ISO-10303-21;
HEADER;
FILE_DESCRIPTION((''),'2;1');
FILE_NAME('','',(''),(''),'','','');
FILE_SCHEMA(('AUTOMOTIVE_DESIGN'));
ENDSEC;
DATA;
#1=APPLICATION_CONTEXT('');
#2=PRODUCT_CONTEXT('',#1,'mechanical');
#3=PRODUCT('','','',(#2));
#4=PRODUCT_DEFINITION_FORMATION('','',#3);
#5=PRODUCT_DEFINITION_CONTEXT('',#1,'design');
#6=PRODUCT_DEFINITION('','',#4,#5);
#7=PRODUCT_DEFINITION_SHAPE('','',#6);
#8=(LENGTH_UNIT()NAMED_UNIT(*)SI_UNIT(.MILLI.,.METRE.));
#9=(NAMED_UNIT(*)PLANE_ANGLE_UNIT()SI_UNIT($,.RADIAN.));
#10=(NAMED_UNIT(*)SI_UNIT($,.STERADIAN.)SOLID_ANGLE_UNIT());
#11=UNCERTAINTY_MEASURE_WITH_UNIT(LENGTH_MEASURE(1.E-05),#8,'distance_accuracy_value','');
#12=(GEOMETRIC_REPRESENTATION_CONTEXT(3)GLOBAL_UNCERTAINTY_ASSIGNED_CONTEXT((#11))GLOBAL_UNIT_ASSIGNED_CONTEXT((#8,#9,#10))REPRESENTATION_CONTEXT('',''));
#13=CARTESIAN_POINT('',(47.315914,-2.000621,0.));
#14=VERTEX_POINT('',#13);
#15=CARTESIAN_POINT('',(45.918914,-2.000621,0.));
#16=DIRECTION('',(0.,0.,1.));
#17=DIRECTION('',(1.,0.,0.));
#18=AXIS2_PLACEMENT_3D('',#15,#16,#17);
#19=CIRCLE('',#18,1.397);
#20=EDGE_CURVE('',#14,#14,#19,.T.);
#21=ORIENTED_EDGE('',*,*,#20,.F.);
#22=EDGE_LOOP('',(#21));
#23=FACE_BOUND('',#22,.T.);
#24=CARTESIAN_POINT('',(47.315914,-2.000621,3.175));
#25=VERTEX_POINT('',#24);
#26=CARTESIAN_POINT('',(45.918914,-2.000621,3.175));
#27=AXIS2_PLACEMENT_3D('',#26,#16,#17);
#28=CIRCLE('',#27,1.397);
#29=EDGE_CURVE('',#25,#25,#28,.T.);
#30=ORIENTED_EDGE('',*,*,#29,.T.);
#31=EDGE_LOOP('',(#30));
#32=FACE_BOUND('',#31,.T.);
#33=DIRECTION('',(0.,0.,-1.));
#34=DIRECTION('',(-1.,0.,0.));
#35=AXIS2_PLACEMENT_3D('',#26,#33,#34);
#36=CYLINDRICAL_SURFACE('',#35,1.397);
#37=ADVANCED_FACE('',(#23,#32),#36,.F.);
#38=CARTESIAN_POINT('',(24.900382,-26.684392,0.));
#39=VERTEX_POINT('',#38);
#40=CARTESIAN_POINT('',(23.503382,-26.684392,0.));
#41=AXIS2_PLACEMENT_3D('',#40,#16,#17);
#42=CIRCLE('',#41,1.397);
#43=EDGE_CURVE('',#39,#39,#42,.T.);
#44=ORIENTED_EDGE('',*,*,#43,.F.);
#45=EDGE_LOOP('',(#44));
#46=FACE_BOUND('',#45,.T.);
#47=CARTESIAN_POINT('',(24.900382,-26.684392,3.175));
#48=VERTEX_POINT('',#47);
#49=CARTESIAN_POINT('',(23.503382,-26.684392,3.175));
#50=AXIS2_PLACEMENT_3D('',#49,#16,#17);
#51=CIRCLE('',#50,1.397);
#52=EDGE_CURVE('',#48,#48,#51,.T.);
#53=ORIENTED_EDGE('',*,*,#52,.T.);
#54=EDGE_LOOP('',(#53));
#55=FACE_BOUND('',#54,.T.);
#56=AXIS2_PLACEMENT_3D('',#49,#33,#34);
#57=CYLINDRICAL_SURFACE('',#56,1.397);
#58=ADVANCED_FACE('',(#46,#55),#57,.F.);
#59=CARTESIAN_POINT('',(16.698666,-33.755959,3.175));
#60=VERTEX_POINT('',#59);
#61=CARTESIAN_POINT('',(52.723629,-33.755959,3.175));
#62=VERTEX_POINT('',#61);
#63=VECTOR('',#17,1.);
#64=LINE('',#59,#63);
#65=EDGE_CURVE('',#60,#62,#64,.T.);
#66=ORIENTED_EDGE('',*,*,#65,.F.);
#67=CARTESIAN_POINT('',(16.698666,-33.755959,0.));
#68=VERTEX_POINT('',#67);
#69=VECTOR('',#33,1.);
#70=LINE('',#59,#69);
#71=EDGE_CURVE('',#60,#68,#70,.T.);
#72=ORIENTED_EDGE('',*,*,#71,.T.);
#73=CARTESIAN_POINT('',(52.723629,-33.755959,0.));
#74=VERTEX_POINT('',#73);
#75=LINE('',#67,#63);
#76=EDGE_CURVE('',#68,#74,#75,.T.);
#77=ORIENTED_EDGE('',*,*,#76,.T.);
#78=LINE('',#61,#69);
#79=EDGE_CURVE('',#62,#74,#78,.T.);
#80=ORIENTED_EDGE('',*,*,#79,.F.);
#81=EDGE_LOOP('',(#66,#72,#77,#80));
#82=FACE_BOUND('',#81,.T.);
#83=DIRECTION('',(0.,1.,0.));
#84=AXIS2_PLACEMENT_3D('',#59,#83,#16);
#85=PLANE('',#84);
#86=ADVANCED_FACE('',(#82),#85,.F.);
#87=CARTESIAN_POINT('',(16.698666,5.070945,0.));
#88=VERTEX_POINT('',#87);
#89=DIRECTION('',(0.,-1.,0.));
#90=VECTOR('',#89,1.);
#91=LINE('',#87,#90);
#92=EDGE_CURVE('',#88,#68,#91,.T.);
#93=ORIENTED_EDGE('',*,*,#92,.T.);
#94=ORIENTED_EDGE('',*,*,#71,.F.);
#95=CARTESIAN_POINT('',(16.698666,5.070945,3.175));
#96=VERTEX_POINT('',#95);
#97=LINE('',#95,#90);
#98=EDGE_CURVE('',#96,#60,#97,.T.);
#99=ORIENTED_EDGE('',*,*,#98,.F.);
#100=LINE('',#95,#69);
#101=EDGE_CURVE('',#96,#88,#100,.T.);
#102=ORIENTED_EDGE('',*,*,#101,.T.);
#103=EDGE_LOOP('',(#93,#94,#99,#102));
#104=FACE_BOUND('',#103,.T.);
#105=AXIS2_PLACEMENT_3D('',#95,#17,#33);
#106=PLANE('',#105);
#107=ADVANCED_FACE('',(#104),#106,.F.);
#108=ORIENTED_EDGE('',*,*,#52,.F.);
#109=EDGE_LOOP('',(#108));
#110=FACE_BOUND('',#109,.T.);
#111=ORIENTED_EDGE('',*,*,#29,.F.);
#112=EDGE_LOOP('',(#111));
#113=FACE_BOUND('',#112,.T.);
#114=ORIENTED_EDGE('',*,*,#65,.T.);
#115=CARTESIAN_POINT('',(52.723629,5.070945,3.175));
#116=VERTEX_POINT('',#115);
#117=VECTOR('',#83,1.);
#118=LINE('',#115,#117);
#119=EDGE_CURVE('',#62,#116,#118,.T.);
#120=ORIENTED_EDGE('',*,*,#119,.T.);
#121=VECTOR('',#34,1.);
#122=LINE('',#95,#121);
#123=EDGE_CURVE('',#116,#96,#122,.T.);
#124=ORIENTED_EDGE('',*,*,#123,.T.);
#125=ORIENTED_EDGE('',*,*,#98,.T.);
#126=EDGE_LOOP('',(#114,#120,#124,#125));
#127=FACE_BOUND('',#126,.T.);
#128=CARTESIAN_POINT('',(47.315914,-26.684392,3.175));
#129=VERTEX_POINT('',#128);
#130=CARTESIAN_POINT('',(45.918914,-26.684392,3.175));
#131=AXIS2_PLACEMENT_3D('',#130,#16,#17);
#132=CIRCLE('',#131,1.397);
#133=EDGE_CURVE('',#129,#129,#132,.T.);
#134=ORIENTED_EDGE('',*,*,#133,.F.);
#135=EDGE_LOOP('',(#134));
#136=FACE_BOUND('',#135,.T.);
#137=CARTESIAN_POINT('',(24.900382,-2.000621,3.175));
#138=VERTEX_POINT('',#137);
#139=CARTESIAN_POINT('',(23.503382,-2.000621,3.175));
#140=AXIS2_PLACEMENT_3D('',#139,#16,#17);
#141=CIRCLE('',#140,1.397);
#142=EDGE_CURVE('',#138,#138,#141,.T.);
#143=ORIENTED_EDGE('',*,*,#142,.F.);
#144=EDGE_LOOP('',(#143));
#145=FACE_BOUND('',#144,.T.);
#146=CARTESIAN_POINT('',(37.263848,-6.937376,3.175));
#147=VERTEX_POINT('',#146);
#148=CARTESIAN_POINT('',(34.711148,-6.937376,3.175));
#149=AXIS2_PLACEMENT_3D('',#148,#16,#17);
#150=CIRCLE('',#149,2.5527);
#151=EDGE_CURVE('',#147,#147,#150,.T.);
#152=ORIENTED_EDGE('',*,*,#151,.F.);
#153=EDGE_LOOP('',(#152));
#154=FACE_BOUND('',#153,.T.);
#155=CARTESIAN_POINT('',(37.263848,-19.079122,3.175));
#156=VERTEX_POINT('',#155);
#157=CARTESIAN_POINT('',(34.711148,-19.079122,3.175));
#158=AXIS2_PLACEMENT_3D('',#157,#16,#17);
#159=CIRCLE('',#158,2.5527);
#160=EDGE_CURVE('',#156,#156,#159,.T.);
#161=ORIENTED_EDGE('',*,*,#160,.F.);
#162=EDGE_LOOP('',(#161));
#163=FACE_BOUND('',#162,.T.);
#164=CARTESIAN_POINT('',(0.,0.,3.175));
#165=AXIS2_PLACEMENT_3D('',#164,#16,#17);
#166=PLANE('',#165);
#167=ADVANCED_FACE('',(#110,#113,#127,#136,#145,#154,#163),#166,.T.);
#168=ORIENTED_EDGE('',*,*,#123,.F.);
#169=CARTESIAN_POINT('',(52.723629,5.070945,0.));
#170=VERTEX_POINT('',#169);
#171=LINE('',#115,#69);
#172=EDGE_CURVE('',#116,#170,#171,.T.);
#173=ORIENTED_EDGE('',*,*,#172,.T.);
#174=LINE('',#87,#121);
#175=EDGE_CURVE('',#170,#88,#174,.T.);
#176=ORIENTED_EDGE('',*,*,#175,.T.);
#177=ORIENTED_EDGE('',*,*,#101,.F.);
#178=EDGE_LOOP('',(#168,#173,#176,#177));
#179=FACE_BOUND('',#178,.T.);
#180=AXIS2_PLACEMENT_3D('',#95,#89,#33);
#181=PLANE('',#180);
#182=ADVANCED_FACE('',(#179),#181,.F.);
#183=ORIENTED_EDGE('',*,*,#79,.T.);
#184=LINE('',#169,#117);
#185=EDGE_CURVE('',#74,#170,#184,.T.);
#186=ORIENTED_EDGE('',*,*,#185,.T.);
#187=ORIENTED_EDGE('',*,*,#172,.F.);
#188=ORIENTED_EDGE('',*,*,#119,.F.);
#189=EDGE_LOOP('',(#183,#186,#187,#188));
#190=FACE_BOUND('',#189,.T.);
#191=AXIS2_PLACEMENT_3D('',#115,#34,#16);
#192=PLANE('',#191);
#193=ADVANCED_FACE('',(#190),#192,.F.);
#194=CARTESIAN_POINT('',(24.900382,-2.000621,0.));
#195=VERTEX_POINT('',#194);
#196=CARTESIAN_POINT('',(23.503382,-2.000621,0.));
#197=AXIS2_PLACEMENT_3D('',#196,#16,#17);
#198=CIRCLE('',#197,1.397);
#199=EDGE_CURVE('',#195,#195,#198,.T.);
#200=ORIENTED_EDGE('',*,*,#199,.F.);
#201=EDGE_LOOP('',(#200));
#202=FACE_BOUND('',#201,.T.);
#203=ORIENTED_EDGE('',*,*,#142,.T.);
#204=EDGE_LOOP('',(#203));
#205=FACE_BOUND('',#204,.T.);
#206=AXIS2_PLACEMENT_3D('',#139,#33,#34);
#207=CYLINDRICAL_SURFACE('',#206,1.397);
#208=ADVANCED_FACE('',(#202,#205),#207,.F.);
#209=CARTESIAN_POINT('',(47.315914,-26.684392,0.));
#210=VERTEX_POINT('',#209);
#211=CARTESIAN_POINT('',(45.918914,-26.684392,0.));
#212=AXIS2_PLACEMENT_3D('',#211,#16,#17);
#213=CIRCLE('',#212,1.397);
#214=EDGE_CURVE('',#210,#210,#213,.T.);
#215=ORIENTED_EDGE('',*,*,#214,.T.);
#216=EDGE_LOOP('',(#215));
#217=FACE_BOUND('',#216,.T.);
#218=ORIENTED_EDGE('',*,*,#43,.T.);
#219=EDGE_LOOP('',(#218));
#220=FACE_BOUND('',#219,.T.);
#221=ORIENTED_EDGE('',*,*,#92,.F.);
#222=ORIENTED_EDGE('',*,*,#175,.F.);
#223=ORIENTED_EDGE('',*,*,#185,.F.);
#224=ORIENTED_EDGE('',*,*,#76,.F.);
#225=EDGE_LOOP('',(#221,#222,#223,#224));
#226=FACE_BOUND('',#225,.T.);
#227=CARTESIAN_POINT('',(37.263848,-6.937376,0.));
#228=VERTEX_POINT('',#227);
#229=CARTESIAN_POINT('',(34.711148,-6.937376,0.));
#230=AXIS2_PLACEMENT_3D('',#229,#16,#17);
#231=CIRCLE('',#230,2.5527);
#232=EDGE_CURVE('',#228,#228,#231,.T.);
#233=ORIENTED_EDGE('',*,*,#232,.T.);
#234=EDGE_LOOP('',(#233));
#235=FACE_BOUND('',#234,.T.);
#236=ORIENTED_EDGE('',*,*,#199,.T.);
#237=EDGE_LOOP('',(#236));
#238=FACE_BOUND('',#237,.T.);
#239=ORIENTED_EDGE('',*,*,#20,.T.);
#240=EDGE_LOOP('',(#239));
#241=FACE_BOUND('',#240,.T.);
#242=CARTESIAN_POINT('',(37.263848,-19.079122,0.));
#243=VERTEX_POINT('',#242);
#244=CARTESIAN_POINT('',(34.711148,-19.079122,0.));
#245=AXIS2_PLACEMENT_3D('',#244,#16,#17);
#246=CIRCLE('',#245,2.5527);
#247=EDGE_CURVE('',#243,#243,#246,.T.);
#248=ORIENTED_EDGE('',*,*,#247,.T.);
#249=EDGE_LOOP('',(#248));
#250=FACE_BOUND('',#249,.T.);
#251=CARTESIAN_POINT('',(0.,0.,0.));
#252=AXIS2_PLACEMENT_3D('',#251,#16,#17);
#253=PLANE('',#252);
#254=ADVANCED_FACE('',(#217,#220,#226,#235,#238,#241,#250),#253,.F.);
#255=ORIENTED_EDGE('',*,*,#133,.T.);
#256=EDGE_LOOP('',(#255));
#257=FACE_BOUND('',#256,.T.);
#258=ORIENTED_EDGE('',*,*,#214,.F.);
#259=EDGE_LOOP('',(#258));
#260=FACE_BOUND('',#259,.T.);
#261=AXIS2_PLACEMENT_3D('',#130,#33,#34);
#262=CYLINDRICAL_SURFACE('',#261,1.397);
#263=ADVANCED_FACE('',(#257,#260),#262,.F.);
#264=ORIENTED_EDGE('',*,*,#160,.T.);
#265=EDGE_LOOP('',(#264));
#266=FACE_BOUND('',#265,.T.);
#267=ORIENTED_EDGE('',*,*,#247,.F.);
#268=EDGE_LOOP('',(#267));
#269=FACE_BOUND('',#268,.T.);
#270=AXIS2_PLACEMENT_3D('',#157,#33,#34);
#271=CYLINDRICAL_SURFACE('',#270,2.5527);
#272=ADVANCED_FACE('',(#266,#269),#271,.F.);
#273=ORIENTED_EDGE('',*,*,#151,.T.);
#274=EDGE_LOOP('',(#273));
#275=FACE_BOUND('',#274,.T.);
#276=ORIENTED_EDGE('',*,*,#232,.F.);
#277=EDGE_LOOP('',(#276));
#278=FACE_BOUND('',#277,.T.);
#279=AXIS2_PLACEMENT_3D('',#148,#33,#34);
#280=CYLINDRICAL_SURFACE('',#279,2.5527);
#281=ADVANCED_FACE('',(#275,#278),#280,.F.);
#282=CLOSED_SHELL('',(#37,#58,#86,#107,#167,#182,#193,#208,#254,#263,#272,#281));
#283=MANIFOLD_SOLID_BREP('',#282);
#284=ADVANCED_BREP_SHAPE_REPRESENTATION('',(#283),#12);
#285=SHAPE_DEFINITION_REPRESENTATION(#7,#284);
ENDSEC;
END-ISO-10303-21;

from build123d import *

# Parameters (mm, degrees)
SKETCH1_W           = 36.024962638
SKETCH1_H           = 38.826904176
SKETCH1_R           = 1.397
SKETCH1_R_2         = 2.5527
BOSS_EXTRUDE1_DEPTH = 3.175


with BuildPart() as part:
    # Sketch1 → Boss-Extrude1 (new body)
    with BuildSketch(Plane.XY):
        with Locations((34.711147671, -14.342506761)):
            Rectangle(SKETCH1_W, SKETCH1_H)
        with Locations((45.918913825, -2.000621413)):
            Circle(SKETCH1_R, mode=Mode.SUBTRACT)
        with Locations((23.503381517, -2.000621413)):
            Circle(SKETCH1_R, mode=Mode.SUBTRACT)
        with Locations((23.503381517, -26.684392109)):
            Circle(SKETCH1_R, mode=Mode.SUBTRACT)
        with Locations((45.918913825, -26.684392109)):
            Circle(SKETCH1_R, mode=Mode.SUBTRACT)
        with Locations((34.711147671, -6.937375552)):
            Circle(SKETCH1_R_2, mode=Mode.SUBTRACT)
        with Locations((34.711147671, -19.079122219)):
            Circle(SKETCH1_R_2, mode=Mode.SUBTRACT)
    extrude(amount=BOSS_EXTRUDE1_DEPTH)


solid = part.part
